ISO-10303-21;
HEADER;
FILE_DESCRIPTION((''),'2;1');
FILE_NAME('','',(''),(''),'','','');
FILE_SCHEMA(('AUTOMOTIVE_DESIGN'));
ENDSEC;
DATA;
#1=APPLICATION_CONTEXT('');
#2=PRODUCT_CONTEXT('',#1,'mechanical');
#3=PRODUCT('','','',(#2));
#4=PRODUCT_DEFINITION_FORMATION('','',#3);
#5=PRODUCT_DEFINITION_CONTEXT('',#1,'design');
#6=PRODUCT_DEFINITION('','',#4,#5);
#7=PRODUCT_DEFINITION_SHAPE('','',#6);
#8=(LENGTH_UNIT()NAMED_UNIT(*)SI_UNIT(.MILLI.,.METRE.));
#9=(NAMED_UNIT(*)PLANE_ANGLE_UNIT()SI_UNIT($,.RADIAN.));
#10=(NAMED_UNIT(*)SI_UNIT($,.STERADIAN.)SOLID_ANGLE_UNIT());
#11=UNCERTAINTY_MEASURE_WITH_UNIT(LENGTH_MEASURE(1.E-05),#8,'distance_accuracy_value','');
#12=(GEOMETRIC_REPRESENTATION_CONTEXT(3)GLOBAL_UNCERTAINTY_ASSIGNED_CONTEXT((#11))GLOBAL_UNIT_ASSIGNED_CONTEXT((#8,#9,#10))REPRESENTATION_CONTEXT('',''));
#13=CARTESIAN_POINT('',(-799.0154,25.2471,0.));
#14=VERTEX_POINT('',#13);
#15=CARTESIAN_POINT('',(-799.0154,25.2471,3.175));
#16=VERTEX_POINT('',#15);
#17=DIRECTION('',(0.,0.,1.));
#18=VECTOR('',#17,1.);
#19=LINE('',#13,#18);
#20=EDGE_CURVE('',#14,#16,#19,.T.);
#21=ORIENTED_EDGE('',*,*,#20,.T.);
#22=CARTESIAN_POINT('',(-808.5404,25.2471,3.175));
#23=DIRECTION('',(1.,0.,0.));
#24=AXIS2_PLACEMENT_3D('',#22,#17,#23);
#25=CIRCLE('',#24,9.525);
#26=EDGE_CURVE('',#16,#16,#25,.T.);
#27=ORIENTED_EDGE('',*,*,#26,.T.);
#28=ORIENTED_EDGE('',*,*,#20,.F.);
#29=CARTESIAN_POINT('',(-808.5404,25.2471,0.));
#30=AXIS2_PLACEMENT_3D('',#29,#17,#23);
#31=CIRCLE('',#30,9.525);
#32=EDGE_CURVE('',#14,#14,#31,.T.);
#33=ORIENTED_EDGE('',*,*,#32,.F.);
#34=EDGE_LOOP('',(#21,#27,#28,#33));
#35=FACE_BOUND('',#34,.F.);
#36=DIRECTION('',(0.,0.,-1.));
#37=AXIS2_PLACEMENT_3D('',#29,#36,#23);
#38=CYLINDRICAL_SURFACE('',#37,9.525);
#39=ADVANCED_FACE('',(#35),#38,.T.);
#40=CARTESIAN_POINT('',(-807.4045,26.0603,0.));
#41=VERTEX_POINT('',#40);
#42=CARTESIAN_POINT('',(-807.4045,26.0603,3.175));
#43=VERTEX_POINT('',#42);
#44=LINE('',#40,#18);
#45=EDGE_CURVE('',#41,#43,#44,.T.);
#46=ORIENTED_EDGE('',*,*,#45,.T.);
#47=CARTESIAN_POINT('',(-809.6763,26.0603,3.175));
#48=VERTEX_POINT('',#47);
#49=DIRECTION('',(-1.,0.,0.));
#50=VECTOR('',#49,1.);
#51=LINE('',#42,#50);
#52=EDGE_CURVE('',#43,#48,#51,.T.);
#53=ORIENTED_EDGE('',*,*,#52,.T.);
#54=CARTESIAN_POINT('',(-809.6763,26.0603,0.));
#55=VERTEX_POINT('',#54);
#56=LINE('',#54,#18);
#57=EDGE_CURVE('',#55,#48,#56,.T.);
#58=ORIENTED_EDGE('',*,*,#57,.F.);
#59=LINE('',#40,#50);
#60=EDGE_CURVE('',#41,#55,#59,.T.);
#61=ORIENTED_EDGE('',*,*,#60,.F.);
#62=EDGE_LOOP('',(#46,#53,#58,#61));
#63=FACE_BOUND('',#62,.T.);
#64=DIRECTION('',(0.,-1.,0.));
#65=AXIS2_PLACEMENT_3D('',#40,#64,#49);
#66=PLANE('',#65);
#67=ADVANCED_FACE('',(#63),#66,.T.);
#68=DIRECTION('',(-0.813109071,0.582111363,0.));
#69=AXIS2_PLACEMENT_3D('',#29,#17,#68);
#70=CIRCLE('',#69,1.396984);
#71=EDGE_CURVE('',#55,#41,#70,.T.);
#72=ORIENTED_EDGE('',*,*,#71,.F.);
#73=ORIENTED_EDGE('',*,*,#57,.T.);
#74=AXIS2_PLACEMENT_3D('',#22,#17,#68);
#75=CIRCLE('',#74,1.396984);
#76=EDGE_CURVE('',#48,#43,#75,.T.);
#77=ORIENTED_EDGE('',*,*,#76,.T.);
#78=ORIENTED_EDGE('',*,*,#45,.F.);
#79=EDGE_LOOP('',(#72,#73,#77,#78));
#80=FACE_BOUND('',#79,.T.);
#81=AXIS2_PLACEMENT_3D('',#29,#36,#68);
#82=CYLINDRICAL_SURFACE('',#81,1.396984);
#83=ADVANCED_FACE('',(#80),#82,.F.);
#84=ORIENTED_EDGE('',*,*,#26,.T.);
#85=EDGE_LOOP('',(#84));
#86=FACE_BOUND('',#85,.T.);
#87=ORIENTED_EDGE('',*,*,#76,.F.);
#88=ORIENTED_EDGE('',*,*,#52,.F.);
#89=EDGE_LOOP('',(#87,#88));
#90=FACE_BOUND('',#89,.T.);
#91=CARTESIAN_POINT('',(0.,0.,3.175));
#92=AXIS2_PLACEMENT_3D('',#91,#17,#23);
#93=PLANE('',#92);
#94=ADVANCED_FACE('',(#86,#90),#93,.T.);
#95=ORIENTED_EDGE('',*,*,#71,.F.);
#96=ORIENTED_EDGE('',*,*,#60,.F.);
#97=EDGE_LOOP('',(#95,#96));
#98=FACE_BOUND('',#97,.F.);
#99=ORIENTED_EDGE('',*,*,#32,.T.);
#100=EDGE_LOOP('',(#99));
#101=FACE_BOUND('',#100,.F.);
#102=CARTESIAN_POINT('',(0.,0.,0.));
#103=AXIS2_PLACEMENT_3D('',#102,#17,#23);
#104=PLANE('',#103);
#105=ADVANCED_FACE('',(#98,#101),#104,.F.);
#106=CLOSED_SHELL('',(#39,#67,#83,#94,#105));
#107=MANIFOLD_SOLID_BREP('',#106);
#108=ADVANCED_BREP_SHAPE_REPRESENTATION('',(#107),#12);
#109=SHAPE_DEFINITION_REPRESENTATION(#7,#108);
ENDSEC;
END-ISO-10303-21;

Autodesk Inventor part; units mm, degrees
ref_plane "YZ Plane" through (0, 0, 0) normal (1, 0, 0) x (0, 1, 0)
ref_plane "XZ Plane" through (0, 0, 0) normal (0, 1, 0) x (-1, 0, 0)
ref_plane "XY Plane" through (0, 0, 0) normal (0, 0, 1) x (1, 0, 0)
sketch "Sketch1" plane through (0, 0, 0) normal (0, 0, 1) x (1, 0, 0)
  circle A0 centre (-808.5404, 25.2471) radius 9.525
  arc A1 (-809.6763, 26.0603) -> (-807.4045, 26.0603) centre (-808.5404, 25.2471) ccw
  line L0 (-808.5404, 23.8501) -> (-808.5404, 26.3901) construction
  line L1 (-807.4045, 26.0603) -> (-809.6763, 26.0603)
  point P0 (0, 0)
  dimension "d0" = 19.05
  dimension "d1" = 2.794
  dimension "d2" = 2.54
extrude "Extrusion1" add sketch "Sketch1" along normal blind 3.175
properties part number "arm4_8"
